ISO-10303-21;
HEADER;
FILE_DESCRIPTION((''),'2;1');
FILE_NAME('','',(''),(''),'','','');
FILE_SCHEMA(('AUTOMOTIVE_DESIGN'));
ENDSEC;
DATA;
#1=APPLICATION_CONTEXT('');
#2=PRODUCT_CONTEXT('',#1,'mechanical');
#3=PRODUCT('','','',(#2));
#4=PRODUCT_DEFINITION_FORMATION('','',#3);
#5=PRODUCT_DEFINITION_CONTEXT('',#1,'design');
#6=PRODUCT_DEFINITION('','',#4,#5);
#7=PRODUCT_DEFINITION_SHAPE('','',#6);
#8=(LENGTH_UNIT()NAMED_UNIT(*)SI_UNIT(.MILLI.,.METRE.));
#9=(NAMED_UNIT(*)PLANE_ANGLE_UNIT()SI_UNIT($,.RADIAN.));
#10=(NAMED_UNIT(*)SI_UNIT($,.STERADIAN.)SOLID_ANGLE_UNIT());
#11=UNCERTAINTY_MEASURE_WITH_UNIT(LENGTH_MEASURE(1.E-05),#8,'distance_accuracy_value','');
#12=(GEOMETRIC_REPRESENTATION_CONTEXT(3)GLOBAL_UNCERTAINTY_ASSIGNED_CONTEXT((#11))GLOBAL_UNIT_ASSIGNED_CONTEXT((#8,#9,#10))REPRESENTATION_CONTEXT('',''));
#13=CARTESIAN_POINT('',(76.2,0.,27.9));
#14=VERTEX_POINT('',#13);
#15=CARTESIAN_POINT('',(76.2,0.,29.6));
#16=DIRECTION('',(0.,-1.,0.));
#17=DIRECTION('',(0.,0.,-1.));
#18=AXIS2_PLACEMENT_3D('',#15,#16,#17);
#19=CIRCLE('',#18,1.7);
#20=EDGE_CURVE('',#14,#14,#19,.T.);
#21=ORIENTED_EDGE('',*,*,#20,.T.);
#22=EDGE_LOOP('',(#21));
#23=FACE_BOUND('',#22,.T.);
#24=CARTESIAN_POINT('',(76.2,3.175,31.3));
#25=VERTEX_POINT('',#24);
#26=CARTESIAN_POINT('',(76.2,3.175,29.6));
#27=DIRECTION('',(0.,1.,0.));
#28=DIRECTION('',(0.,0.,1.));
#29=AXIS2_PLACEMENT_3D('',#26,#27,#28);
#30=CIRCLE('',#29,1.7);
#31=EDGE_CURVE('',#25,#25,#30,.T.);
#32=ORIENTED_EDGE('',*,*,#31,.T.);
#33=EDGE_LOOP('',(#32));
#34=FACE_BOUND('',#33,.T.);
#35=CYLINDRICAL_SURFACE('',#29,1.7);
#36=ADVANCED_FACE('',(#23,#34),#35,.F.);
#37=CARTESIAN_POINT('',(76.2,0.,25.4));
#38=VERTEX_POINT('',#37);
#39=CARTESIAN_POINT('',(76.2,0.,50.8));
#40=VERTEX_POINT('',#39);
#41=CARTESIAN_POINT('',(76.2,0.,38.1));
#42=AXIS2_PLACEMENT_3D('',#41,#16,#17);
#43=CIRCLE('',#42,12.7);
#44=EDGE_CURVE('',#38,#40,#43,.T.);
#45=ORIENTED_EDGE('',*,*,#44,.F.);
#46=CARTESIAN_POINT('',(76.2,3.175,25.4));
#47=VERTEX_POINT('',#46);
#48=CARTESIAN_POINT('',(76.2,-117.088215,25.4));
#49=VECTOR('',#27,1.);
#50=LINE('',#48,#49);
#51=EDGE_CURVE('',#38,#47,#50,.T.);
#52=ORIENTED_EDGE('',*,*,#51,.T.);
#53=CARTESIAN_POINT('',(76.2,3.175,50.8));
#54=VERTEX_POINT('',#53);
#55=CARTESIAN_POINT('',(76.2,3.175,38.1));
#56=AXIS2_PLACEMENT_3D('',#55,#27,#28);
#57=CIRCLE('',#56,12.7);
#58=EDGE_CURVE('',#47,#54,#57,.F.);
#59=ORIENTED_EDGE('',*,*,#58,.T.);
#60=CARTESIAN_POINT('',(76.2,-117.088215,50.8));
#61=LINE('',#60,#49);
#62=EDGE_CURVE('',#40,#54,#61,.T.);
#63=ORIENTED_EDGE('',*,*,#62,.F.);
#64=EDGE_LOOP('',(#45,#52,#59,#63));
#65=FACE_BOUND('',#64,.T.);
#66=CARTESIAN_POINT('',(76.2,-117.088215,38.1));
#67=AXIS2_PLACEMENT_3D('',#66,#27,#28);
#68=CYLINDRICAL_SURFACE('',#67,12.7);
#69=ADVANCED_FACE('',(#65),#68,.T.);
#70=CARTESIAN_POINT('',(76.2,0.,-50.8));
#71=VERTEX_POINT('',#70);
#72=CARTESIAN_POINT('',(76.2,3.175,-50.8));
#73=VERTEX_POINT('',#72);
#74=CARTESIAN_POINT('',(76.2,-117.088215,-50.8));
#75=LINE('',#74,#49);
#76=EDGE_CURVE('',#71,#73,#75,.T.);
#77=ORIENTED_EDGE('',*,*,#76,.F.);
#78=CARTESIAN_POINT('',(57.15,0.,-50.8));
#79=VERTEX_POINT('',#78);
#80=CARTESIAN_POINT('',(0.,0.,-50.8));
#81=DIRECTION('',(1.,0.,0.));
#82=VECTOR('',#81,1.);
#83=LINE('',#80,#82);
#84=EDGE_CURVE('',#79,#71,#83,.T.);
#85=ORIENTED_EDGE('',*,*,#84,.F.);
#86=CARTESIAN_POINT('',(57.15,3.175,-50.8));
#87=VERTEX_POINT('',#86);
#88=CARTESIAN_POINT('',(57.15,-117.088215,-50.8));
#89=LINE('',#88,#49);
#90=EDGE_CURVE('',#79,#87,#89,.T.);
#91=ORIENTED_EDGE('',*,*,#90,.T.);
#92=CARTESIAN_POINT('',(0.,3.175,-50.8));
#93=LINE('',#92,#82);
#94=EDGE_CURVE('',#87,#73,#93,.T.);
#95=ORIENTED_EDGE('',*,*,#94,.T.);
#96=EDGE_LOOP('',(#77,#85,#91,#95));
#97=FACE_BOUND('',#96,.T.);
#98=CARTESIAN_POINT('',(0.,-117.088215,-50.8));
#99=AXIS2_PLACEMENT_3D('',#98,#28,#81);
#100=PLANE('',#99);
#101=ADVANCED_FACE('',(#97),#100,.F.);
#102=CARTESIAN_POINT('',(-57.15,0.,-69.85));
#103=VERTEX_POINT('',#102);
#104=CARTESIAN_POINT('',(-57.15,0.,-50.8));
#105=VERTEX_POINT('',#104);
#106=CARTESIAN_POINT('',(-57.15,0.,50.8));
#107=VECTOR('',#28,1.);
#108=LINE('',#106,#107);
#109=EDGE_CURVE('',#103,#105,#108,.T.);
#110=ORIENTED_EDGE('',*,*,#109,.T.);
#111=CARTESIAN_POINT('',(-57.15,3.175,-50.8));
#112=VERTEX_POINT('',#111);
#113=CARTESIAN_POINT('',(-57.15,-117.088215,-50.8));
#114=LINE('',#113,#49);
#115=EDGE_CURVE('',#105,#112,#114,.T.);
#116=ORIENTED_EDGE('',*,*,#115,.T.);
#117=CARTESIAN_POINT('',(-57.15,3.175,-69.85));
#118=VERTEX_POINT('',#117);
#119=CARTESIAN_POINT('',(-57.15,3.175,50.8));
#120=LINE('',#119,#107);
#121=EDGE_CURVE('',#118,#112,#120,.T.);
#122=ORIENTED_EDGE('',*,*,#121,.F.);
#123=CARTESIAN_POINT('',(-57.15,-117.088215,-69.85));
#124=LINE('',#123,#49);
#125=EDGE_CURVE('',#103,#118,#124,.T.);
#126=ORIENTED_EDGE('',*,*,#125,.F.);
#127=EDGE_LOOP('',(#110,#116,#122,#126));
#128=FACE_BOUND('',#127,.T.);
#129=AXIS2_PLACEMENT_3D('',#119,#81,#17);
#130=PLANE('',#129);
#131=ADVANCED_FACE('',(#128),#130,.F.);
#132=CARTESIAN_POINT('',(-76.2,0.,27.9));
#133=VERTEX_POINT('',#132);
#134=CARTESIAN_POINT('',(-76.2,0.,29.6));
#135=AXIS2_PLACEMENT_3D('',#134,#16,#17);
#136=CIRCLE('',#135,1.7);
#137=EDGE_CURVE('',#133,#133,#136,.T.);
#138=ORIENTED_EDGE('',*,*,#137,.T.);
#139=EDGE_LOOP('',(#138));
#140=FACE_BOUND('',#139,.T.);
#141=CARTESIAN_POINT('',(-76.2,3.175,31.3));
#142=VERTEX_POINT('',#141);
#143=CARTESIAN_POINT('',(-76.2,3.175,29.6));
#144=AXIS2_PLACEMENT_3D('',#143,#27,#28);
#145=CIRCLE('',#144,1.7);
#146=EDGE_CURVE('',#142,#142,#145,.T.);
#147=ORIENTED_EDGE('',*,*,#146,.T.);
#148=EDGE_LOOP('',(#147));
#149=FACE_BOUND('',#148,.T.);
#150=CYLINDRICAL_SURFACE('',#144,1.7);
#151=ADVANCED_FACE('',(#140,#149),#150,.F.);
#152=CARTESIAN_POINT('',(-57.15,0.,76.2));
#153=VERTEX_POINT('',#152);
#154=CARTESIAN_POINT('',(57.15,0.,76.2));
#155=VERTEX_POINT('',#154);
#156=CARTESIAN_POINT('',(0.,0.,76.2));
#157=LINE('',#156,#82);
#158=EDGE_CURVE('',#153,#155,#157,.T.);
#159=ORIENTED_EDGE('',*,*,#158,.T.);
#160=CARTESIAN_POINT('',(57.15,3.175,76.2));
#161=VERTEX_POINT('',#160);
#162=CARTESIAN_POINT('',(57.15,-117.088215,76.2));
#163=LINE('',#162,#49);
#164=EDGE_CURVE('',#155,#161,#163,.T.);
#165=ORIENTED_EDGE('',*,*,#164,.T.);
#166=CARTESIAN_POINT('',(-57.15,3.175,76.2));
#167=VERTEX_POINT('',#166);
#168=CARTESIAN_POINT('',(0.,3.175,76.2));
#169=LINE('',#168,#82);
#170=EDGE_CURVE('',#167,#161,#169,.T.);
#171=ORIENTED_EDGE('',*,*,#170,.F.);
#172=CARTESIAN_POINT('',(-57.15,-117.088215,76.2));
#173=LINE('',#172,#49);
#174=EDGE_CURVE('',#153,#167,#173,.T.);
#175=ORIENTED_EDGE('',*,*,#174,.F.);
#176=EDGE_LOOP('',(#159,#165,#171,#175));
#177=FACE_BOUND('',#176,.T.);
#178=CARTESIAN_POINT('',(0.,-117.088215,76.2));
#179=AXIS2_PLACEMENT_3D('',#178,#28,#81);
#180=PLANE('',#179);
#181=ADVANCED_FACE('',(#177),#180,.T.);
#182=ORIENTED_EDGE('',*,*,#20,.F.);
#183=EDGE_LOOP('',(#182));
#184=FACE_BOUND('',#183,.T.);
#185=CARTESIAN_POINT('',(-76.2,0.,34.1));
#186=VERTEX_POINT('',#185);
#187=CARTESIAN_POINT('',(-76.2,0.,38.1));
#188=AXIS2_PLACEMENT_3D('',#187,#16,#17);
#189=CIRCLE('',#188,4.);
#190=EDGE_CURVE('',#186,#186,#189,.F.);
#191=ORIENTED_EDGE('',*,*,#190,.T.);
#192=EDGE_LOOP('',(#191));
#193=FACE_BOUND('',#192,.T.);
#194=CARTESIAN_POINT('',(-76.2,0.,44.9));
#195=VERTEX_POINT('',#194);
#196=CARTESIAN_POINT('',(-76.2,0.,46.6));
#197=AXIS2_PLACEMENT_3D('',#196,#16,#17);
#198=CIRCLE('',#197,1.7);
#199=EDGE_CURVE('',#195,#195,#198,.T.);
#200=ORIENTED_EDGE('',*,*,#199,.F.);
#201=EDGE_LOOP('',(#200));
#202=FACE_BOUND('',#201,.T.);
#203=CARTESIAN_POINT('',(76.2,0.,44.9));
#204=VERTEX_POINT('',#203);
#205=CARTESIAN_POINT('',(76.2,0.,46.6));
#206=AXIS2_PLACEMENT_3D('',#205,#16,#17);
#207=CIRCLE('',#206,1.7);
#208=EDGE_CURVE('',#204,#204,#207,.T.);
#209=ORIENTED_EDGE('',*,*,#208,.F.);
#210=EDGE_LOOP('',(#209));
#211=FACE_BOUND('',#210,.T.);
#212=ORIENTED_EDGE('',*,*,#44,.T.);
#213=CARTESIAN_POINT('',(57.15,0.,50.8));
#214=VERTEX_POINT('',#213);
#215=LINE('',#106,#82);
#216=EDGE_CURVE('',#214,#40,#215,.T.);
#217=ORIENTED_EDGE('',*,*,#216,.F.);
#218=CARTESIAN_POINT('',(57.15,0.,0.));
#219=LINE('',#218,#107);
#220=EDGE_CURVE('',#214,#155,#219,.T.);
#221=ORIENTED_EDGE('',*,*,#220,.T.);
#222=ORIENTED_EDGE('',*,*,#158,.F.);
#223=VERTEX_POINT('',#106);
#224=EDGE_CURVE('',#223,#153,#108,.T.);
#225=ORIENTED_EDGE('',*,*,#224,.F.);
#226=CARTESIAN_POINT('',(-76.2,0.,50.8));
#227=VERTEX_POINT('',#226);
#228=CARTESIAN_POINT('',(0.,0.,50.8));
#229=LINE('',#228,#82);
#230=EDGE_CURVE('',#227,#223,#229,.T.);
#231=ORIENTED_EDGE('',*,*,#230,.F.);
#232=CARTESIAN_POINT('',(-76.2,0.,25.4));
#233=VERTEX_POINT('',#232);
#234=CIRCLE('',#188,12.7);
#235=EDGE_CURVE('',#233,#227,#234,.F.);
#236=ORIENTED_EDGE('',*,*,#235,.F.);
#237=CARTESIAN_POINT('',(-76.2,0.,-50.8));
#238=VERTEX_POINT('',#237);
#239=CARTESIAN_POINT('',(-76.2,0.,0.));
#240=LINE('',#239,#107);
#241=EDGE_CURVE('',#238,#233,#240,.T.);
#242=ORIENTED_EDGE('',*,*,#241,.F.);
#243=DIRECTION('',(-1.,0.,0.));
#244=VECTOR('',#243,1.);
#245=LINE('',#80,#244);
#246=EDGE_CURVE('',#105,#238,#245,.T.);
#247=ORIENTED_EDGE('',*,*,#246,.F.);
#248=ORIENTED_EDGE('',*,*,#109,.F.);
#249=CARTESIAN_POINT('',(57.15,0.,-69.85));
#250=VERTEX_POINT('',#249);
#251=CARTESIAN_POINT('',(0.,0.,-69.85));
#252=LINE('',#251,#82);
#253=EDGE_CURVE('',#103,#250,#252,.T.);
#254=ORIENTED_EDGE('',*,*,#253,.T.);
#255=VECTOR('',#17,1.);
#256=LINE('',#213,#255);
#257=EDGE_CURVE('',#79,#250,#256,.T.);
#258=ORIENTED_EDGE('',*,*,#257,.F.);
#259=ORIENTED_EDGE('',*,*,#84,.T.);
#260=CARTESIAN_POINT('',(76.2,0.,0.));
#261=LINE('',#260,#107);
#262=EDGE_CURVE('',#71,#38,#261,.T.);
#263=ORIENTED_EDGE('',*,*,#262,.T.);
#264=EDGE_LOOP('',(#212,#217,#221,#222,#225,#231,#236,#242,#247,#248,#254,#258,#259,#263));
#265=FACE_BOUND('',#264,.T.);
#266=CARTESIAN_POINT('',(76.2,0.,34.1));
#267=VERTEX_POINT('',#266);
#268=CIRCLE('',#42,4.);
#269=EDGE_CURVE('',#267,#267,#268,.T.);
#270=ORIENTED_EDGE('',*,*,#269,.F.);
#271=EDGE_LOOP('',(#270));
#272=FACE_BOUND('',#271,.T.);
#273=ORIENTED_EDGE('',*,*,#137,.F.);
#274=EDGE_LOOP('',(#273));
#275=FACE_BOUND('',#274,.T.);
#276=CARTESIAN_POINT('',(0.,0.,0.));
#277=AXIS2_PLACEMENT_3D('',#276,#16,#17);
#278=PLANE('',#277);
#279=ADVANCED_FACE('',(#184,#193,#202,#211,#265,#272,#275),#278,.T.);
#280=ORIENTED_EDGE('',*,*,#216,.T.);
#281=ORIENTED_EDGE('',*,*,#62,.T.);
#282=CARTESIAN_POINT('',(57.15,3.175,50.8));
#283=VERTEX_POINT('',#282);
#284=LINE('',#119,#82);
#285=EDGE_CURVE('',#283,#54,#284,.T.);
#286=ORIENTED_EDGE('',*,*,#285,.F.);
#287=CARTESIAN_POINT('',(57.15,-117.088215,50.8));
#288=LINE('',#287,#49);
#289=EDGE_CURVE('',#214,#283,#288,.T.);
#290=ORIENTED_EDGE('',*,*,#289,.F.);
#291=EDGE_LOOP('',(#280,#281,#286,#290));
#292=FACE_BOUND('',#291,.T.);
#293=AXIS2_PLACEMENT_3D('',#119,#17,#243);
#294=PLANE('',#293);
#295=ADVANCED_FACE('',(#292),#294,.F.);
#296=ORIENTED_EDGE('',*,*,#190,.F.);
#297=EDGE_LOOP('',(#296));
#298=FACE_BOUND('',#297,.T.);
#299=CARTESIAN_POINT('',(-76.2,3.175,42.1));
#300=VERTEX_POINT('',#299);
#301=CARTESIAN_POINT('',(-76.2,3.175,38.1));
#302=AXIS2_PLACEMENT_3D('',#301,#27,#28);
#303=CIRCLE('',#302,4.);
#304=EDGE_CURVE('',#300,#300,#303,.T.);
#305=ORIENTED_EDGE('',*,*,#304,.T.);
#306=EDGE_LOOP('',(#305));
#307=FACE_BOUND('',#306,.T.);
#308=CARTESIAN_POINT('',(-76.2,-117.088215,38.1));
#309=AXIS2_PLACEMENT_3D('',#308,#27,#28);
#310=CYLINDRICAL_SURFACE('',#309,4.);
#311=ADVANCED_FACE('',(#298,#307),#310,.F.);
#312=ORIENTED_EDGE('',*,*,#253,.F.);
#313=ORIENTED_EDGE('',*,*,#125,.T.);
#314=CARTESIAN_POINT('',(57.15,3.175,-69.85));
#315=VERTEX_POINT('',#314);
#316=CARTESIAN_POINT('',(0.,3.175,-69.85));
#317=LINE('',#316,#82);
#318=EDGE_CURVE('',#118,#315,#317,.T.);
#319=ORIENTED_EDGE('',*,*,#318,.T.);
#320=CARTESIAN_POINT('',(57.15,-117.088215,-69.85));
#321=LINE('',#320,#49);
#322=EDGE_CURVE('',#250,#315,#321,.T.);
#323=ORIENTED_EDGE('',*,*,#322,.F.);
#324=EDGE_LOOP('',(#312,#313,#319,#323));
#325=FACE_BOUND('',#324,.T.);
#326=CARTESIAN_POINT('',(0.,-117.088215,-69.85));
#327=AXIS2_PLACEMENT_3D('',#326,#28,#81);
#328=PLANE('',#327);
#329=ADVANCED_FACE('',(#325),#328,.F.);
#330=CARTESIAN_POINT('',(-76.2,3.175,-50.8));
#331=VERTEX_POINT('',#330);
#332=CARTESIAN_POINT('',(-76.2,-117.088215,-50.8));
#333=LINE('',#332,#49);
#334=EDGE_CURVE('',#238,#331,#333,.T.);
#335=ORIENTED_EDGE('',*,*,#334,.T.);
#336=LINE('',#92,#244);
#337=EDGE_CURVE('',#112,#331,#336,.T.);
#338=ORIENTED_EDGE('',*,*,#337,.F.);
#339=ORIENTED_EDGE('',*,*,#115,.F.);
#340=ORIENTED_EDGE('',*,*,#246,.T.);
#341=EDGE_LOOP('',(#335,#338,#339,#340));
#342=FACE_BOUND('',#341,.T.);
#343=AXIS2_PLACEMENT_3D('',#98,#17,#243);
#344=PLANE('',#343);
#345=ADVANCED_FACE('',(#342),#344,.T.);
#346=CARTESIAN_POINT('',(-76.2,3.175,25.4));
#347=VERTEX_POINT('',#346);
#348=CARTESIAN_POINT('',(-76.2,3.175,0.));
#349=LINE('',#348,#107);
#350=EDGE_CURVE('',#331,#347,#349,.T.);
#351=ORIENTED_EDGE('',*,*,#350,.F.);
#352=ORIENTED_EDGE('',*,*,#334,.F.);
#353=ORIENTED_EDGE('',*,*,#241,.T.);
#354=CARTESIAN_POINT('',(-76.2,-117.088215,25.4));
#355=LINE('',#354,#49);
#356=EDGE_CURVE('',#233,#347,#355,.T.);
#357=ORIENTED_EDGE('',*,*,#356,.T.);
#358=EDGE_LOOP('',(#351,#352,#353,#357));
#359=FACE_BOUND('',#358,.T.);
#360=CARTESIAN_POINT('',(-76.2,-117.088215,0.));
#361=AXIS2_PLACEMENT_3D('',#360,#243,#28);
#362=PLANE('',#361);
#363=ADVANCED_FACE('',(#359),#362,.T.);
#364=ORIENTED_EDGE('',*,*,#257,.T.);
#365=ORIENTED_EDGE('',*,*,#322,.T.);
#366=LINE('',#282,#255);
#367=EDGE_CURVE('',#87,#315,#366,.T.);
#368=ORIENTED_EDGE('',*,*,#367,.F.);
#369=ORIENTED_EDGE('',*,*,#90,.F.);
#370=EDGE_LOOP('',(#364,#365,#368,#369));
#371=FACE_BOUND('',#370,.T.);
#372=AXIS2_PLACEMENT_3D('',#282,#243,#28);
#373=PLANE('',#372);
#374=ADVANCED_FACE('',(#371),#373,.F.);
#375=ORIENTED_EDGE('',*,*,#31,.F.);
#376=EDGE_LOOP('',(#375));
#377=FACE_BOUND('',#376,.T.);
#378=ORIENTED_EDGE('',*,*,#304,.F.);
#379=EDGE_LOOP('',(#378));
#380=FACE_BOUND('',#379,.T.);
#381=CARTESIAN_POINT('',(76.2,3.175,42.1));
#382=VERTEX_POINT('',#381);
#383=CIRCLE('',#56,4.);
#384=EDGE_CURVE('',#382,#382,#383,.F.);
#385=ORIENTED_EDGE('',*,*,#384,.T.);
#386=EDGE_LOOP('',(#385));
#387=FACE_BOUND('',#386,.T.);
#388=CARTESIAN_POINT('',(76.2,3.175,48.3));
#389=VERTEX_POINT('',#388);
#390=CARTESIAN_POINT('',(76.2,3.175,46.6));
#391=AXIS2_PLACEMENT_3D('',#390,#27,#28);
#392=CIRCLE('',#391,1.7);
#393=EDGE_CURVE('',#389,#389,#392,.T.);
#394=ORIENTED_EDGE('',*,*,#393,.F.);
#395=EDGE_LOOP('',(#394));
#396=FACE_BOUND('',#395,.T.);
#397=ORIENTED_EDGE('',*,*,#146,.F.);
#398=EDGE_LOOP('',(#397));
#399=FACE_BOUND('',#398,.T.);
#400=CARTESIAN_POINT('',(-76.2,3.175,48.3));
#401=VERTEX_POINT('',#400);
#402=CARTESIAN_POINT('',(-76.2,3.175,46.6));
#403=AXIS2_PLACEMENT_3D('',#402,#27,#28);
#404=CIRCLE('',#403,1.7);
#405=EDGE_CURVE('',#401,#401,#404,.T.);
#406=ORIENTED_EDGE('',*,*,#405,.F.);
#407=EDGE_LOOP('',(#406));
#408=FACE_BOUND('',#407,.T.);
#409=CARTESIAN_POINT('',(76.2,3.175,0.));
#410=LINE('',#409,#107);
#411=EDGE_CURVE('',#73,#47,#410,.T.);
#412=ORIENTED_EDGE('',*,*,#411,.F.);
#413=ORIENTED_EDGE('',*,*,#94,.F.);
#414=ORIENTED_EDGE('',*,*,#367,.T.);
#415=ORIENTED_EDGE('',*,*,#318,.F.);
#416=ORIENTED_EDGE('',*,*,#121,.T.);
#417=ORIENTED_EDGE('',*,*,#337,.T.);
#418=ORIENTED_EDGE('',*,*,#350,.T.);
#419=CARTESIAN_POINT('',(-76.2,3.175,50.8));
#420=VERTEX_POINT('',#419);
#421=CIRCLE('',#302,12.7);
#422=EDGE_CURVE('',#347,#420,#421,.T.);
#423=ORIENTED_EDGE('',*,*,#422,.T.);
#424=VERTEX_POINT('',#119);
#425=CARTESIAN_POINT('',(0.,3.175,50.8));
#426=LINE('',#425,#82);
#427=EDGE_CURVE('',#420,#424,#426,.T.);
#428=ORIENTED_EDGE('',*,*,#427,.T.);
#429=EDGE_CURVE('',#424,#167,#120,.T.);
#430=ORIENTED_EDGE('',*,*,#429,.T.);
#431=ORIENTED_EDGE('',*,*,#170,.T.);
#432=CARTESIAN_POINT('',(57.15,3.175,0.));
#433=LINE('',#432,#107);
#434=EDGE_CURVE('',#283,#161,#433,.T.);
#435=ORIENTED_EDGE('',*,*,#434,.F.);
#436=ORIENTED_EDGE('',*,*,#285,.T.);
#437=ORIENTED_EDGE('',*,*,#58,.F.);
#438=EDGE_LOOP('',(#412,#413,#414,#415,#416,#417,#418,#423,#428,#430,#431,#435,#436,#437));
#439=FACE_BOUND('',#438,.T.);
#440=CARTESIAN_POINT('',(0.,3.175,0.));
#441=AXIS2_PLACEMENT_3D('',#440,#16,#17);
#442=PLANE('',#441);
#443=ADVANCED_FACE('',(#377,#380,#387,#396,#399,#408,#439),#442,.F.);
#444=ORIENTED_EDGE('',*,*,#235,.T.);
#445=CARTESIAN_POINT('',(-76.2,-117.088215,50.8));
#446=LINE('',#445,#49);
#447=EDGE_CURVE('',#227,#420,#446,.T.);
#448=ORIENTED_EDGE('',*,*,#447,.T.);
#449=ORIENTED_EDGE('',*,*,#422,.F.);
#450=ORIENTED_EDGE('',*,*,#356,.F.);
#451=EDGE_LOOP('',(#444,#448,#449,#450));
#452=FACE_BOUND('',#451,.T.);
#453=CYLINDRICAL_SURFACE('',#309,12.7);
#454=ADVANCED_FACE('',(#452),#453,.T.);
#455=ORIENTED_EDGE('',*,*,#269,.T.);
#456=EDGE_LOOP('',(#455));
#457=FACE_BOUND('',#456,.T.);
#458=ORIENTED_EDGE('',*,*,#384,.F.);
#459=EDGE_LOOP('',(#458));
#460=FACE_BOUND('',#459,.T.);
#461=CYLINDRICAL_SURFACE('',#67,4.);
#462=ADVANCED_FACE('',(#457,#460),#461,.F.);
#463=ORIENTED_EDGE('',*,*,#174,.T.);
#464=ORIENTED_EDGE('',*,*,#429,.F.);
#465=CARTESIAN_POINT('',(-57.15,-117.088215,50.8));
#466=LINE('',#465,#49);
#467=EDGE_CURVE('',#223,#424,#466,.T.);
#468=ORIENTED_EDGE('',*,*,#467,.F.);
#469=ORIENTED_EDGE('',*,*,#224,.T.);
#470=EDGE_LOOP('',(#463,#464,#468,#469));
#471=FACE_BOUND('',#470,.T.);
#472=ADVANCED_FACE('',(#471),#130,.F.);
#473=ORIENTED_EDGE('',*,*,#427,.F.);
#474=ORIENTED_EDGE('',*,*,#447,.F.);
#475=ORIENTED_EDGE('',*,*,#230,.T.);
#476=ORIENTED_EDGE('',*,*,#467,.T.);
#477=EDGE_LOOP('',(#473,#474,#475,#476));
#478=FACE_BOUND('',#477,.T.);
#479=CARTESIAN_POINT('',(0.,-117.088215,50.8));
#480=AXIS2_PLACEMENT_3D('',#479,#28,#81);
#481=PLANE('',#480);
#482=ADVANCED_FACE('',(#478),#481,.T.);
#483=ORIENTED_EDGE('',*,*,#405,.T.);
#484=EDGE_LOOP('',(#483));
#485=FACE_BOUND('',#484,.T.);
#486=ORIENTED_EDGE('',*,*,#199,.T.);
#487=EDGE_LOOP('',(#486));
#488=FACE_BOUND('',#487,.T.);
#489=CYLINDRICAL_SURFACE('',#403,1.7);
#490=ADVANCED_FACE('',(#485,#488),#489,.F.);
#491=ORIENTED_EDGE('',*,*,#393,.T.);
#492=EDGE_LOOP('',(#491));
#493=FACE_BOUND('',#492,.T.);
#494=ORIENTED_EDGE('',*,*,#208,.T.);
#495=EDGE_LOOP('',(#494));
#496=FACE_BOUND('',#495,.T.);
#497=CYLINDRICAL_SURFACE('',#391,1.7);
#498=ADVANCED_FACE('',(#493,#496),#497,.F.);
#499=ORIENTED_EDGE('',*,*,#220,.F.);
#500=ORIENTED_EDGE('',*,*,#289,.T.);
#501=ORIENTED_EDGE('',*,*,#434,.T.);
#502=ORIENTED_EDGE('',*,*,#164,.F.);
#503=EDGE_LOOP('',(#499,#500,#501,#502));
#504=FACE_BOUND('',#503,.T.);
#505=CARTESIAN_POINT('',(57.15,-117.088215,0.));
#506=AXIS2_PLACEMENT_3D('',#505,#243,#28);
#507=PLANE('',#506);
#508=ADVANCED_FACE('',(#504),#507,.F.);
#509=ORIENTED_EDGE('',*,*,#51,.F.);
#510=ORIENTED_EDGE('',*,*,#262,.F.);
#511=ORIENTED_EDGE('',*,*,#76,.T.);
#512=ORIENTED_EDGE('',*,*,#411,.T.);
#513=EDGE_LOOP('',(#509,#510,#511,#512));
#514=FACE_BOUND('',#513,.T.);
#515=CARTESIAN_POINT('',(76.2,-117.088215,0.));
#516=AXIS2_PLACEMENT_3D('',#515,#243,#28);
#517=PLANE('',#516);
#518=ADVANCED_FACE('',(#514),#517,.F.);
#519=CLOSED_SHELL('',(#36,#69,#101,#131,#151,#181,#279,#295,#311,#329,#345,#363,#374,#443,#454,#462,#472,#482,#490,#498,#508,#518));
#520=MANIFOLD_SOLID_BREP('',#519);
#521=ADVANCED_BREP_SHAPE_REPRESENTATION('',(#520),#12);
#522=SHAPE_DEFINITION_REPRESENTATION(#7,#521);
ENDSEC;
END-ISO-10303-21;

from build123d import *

# Parameters (mm, degrees)
SKETCH1_W                = 114.3
SKETCH1_H                = 101.6
BOSS_EXTRUDE1_DEPTH      = 3.175
SKETCH2_W                = 114.3
SKETCH2_H                = 25.4
SKETCH2_H_2              = 19.05
BOSS_EXTRUDE2_DEPTH      = 3.175
M3_CLEARANCE_HOLE1_D     = 3.4
M3_CLEARANCE_HOLE1_DEPTH = 6.35
M3_CLEARANCE_HOLE1_TIP   = 1.021463052


with BuildPart() as part:
    # Sketch1 → Boss-Extrude1 (new body)
    with BuildSketch(Plane(origin=(0, 0, 0), x_dir=(1, 0, 0), z_dir=(0, 1, 0))):
        Rectangle(SKETCH1_W, SKETCH1_H)
    extrude(amount=BOSS_EXTRUDE1_DEPTH)

    # Sketch2 → Boss-Extrude2 (add)
    # profile 1 of 4: a face of its own
    with BuildSketch(Plane(origin=(0, 3.175, 0), x_dir=(1, 0, 0), z_dir=(0, 1, 0))):
        with BuildLine():
            Line((-76.2, -50.8), (-57.15, -50.8))
            Line((-57.15, -50.8), (-57.15, 50.8))
            Line((-57.15, 50.8), (-76.2, 50.8))
            Line((-76.2, 50.8), (-76.2, -25.4))
            ThreePointArc((-76.2, -25.4), (-88.9, -38.1), (-76.2, -50.8))
        make_face()
        with BuildLine():
            ThreePointArc((-76.2, -34.1), (-72.2, -38.1), (-76.2, -42.1))
            ThreePointArc((-76.2, -42.1), (-80.2, -38.1), (-76.2, -34.1))
        make_face(mode=Mode.SUBTRACT)
    # profile 2 of 4: a face of its own
    with BuildSketch(Plane(origin=(0, 3.175, 0), x_dir=(1, 0, 0), z_dir=(0, 1, 0))):
        with Locations((0, -63.5)):
            Rectangle(SKETCH2_W, SKETCH2_H)
    # profile 3 of 4: a face of its own
    with BuildSketch(Plane(origin=(0, 3.175, 0), x_dir=(1, 0, 0), z_dir=(0, 1, 0))):
        with BuildLine():
            Line((57.15, -50.8), (76.2, -50.8))
            ThreePointArc((76.2, -50.8), (88.9, -38.1), (76.2, -25.4))
            Line((76.2, -25.4), (76.2, 50.8))
            Line((76.2, 50.8), (57.15, 50.8))
            Line((57.15, 50.8), (57.15, -50.8))
        make_face()
        with BuildLine():
            ThreePointArc((76.2, -42.1), (72.2, -38.1), (76.2, -34.1))
            ThreePointArc((76.2, -34.1), (80.2, -38.1), (76.2, -42.1))
        make_face(mode=Mode.SUBTRACT)
    # profile 4 of 4: a face of its own
    with BuildSketch(Plane(origin=(0, 3.175, 0), x_dir=(1, 0, 0), z_dir=(0, 1, 0))):
        with Locations((0, 60.325)):
            Rectangle(SKETCH2_W, SKETCH2_H_2)
    extrude(amount=-BOSS_EXTRUDE2_DEPTH)

    # M3 Clearance Hole1
    with Locations(Plane(origin=(0, 3.175, 0), x_dir=(1, 0, 0), z_dir=(0, 1, 0))):
        with Locations((-76.2, -29.6), (-76.2, -46.6), (76.2, -29.6), (76.2, -46.6)):
            Hole(M3_CLEARANCE_HOLE1_D / 2, depth=M3_CLEARANCE_HOLE1_DEPTH)
            with Locations((0, 0, -(M3_CLEARANCE_HOLE1_DEPTH + M3_CLEARANCE_HOLE1_TIP / 2))):  # 118° drill point
                Cone(0, M3_CLEARANCE_HOLE1_D / 2, M3_CLEARANCE_HOLE1_TIP, mode=Mode.SUBTRACT)


solid = part.part
